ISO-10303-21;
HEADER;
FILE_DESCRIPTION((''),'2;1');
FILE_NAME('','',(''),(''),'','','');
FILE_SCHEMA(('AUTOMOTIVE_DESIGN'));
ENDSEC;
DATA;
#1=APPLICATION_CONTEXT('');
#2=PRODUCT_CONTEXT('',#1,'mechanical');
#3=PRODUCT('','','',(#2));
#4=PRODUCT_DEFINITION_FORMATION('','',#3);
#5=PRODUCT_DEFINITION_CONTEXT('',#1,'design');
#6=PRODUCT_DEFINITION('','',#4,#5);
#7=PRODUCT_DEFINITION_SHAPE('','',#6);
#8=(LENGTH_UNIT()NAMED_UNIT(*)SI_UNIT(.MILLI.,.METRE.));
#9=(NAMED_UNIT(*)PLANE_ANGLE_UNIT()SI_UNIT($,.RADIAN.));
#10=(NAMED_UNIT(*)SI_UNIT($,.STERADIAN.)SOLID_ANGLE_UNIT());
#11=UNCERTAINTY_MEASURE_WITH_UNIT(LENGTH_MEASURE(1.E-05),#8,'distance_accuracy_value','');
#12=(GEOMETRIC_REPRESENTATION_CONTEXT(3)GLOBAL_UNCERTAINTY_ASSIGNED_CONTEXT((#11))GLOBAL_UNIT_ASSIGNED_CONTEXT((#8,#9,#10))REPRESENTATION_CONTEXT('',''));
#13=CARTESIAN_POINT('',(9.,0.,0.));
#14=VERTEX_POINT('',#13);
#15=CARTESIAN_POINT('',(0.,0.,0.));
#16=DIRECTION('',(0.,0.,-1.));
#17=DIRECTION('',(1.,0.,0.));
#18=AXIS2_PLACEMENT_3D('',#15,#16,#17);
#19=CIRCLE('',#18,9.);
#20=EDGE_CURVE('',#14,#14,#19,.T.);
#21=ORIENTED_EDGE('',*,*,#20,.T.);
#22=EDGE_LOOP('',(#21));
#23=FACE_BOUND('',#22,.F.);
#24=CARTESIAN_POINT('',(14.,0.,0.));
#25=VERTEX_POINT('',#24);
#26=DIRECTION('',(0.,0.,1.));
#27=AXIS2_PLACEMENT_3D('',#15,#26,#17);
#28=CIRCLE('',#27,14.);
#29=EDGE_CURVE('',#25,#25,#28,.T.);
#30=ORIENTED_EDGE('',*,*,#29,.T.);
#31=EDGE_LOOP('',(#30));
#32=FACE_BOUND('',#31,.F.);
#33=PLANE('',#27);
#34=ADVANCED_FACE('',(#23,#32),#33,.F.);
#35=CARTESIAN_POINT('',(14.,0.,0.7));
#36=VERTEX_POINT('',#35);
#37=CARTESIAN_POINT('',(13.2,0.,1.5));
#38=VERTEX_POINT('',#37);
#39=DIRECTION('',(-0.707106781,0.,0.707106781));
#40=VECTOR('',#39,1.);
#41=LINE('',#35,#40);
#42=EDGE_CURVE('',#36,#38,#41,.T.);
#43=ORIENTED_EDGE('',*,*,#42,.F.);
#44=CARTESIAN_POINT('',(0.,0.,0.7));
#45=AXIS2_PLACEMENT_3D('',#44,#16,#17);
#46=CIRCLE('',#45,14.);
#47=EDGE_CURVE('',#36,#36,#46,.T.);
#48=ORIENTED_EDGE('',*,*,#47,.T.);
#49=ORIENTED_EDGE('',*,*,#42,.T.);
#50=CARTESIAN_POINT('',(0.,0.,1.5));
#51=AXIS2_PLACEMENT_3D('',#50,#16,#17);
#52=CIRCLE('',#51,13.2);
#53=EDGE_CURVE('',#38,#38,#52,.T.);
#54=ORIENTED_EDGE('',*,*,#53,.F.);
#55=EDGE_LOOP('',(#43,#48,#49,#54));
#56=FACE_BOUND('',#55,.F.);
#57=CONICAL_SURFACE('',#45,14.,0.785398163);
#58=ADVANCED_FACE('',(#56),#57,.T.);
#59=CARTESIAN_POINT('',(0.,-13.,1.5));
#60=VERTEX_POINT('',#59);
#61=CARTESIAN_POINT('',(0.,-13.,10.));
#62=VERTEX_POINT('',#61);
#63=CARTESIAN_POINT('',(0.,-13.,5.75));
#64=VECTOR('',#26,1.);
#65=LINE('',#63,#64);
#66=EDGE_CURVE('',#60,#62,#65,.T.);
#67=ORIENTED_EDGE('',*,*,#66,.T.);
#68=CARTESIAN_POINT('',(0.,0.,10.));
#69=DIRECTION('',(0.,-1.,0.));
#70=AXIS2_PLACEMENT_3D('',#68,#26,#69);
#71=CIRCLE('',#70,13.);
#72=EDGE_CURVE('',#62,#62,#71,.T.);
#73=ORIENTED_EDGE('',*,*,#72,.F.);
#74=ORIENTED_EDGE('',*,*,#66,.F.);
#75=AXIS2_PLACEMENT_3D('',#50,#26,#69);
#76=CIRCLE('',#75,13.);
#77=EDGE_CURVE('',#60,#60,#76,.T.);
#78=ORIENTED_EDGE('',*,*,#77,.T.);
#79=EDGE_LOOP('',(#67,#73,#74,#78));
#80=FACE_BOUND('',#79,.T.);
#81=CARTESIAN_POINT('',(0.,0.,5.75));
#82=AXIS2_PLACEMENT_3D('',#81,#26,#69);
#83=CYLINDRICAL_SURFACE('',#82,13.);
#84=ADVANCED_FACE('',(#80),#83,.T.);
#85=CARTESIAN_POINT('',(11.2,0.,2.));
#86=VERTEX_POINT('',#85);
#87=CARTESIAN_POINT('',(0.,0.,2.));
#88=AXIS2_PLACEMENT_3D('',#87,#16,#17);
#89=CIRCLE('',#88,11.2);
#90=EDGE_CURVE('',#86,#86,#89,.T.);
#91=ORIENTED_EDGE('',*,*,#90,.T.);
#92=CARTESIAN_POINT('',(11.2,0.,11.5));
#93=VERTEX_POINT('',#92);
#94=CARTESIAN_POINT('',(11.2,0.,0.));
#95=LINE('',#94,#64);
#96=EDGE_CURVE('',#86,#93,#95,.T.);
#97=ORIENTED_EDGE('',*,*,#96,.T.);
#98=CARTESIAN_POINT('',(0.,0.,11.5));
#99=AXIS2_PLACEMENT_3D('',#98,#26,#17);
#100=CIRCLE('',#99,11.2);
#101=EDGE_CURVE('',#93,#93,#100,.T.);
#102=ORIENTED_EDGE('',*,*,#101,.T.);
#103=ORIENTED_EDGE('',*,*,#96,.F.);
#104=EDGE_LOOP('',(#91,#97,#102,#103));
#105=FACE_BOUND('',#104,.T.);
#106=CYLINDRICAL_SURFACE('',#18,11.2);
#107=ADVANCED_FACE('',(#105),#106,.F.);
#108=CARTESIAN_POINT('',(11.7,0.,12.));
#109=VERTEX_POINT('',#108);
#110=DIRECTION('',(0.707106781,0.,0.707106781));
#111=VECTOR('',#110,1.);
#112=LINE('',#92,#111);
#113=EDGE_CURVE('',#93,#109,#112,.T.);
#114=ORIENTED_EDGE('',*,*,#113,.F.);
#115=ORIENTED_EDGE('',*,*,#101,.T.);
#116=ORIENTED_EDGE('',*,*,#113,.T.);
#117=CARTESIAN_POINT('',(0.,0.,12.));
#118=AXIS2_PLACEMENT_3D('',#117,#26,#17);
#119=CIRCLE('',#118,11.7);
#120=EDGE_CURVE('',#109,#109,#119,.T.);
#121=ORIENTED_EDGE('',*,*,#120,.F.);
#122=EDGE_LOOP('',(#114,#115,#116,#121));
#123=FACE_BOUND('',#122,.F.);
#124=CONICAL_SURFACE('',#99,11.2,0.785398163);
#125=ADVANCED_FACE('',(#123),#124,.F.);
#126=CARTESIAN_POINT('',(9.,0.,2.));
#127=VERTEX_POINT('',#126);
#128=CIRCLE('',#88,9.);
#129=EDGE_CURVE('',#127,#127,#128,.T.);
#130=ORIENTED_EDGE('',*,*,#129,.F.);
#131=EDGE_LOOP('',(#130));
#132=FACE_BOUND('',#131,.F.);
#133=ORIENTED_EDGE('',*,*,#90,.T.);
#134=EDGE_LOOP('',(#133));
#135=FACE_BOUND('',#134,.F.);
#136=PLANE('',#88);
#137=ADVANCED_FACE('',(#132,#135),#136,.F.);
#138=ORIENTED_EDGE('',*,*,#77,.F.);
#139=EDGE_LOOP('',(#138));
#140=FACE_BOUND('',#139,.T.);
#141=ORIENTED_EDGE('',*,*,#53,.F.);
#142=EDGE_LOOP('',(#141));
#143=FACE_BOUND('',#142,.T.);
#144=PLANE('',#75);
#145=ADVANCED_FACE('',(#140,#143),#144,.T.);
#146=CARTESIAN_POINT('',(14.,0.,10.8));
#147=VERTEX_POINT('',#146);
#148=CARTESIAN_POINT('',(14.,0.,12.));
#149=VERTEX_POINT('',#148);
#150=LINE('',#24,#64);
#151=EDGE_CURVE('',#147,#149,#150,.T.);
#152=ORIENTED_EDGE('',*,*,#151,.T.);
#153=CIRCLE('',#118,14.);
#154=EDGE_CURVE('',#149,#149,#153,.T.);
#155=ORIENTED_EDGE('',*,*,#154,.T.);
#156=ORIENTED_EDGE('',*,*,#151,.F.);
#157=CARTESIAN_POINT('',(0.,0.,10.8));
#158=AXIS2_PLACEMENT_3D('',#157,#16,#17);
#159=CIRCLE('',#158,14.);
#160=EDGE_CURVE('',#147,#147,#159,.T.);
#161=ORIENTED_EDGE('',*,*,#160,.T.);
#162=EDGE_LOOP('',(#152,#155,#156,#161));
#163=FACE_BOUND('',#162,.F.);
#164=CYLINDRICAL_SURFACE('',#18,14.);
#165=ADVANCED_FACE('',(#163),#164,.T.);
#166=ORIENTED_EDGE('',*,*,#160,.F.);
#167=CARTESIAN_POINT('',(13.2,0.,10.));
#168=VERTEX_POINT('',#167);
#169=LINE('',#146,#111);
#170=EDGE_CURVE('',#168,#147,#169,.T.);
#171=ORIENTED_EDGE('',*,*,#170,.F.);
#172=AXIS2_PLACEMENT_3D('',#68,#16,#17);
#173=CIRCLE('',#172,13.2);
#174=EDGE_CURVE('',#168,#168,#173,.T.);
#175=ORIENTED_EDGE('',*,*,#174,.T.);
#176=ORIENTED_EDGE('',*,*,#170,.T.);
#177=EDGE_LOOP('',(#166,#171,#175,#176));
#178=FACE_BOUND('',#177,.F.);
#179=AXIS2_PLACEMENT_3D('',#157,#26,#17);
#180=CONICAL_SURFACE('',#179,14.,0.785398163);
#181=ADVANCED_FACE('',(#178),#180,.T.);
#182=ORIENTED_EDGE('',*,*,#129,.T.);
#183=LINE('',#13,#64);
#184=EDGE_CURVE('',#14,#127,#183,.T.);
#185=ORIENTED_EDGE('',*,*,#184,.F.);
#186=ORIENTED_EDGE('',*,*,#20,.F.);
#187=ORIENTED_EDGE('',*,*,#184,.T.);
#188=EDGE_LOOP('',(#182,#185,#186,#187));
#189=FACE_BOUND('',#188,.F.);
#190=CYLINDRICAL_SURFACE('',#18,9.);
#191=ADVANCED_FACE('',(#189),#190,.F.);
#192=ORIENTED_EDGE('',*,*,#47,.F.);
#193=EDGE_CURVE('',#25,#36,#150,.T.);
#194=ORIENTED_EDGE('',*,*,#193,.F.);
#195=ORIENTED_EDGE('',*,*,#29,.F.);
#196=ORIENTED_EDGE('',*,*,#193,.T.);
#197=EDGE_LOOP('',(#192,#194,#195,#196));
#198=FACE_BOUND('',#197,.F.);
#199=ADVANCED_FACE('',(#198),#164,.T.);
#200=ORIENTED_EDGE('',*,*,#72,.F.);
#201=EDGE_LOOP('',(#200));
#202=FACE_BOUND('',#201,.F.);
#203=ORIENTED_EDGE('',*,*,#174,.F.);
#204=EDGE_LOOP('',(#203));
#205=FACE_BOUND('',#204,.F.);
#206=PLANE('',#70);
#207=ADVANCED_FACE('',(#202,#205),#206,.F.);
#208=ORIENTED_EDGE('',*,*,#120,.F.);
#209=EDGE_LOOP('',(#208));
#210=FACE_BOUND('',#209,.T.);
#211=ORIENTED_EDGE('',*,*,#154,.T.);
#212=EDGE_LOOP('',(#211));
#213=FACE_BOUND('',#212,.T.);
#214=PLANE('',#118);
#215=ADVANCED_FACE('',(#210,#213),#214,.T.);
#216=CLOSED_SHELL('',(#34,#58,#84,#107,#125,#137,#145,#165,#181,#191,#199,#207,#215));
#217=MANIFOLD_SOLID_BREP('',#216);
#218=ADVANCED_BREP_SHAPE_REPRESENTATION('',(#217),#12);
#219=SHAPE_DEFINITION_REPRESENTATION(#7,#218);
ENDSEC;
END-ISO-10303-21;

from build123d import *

# Parameters (mm, degrees)
TUBE_R          = 14
TUBE_R_2        = 11.2
TUBE_DEPTH      = 12
SKETCH001_W     = 4
SKETCH001_H     = 8.5
CHAMFER_SIZE    = 0.8
SKETCH_R        = 12.145698
SKETCH_R_2      = 9
PAD_DEPTH       = 2
CHAMFER001_SIZE = 0.5


with BuildPart() as part:
    # Tube → Tube (new body)
    with BuildSketch(Plane.XY):
        Circle(TUBE_R)
        Circle(TUBE_R_2, mode=Mode.SUBTRACT)
    extrude(amount=TUBE_DEPTH)

    # Sketch001 → Groove (revolve, cut)
    with BuildSketch(Plane.YZ):
        with Locations((-15, 5.75)):
            Rectangle(SKETCH001_W, SKETCH001_H)
    revolve(axis=Axis((0, 0, 0), (0, 0, 1)), mode=Mode.SUBTRACT)

    # Chamfer
    chamfer_edges = [part.edges().sort_by_distance(p)[0] for p in [
        (-14, 0, 10),
        (-14, 0, 1.5),
    ]]
    chamfer(chamfer_edges, length=CHAMFER_SIZE)

    # Sketch (on Face7 of Chamfer) → Pad (new body)
    with BuildSketch(Plane(origin=(0, 0, 0), x_dir=(1, 0, 0), z_dir=(0, 0, -1))):
        Circle(SKETCH_R)
        Circle(SKETCH_R_2, mode=Mode.SUBTRACT)
    extrude(amount=-PAD_DEPTH)

    # Chamfer001
    chamfer001_edges = [part.edges().sort_by_distance(p)[0] for p in [
        (-11.2, 0, 12),
    ]]
    chamfer(chamfer001_edges, length=CHAMFER001_SIZE)


solid = part.part
